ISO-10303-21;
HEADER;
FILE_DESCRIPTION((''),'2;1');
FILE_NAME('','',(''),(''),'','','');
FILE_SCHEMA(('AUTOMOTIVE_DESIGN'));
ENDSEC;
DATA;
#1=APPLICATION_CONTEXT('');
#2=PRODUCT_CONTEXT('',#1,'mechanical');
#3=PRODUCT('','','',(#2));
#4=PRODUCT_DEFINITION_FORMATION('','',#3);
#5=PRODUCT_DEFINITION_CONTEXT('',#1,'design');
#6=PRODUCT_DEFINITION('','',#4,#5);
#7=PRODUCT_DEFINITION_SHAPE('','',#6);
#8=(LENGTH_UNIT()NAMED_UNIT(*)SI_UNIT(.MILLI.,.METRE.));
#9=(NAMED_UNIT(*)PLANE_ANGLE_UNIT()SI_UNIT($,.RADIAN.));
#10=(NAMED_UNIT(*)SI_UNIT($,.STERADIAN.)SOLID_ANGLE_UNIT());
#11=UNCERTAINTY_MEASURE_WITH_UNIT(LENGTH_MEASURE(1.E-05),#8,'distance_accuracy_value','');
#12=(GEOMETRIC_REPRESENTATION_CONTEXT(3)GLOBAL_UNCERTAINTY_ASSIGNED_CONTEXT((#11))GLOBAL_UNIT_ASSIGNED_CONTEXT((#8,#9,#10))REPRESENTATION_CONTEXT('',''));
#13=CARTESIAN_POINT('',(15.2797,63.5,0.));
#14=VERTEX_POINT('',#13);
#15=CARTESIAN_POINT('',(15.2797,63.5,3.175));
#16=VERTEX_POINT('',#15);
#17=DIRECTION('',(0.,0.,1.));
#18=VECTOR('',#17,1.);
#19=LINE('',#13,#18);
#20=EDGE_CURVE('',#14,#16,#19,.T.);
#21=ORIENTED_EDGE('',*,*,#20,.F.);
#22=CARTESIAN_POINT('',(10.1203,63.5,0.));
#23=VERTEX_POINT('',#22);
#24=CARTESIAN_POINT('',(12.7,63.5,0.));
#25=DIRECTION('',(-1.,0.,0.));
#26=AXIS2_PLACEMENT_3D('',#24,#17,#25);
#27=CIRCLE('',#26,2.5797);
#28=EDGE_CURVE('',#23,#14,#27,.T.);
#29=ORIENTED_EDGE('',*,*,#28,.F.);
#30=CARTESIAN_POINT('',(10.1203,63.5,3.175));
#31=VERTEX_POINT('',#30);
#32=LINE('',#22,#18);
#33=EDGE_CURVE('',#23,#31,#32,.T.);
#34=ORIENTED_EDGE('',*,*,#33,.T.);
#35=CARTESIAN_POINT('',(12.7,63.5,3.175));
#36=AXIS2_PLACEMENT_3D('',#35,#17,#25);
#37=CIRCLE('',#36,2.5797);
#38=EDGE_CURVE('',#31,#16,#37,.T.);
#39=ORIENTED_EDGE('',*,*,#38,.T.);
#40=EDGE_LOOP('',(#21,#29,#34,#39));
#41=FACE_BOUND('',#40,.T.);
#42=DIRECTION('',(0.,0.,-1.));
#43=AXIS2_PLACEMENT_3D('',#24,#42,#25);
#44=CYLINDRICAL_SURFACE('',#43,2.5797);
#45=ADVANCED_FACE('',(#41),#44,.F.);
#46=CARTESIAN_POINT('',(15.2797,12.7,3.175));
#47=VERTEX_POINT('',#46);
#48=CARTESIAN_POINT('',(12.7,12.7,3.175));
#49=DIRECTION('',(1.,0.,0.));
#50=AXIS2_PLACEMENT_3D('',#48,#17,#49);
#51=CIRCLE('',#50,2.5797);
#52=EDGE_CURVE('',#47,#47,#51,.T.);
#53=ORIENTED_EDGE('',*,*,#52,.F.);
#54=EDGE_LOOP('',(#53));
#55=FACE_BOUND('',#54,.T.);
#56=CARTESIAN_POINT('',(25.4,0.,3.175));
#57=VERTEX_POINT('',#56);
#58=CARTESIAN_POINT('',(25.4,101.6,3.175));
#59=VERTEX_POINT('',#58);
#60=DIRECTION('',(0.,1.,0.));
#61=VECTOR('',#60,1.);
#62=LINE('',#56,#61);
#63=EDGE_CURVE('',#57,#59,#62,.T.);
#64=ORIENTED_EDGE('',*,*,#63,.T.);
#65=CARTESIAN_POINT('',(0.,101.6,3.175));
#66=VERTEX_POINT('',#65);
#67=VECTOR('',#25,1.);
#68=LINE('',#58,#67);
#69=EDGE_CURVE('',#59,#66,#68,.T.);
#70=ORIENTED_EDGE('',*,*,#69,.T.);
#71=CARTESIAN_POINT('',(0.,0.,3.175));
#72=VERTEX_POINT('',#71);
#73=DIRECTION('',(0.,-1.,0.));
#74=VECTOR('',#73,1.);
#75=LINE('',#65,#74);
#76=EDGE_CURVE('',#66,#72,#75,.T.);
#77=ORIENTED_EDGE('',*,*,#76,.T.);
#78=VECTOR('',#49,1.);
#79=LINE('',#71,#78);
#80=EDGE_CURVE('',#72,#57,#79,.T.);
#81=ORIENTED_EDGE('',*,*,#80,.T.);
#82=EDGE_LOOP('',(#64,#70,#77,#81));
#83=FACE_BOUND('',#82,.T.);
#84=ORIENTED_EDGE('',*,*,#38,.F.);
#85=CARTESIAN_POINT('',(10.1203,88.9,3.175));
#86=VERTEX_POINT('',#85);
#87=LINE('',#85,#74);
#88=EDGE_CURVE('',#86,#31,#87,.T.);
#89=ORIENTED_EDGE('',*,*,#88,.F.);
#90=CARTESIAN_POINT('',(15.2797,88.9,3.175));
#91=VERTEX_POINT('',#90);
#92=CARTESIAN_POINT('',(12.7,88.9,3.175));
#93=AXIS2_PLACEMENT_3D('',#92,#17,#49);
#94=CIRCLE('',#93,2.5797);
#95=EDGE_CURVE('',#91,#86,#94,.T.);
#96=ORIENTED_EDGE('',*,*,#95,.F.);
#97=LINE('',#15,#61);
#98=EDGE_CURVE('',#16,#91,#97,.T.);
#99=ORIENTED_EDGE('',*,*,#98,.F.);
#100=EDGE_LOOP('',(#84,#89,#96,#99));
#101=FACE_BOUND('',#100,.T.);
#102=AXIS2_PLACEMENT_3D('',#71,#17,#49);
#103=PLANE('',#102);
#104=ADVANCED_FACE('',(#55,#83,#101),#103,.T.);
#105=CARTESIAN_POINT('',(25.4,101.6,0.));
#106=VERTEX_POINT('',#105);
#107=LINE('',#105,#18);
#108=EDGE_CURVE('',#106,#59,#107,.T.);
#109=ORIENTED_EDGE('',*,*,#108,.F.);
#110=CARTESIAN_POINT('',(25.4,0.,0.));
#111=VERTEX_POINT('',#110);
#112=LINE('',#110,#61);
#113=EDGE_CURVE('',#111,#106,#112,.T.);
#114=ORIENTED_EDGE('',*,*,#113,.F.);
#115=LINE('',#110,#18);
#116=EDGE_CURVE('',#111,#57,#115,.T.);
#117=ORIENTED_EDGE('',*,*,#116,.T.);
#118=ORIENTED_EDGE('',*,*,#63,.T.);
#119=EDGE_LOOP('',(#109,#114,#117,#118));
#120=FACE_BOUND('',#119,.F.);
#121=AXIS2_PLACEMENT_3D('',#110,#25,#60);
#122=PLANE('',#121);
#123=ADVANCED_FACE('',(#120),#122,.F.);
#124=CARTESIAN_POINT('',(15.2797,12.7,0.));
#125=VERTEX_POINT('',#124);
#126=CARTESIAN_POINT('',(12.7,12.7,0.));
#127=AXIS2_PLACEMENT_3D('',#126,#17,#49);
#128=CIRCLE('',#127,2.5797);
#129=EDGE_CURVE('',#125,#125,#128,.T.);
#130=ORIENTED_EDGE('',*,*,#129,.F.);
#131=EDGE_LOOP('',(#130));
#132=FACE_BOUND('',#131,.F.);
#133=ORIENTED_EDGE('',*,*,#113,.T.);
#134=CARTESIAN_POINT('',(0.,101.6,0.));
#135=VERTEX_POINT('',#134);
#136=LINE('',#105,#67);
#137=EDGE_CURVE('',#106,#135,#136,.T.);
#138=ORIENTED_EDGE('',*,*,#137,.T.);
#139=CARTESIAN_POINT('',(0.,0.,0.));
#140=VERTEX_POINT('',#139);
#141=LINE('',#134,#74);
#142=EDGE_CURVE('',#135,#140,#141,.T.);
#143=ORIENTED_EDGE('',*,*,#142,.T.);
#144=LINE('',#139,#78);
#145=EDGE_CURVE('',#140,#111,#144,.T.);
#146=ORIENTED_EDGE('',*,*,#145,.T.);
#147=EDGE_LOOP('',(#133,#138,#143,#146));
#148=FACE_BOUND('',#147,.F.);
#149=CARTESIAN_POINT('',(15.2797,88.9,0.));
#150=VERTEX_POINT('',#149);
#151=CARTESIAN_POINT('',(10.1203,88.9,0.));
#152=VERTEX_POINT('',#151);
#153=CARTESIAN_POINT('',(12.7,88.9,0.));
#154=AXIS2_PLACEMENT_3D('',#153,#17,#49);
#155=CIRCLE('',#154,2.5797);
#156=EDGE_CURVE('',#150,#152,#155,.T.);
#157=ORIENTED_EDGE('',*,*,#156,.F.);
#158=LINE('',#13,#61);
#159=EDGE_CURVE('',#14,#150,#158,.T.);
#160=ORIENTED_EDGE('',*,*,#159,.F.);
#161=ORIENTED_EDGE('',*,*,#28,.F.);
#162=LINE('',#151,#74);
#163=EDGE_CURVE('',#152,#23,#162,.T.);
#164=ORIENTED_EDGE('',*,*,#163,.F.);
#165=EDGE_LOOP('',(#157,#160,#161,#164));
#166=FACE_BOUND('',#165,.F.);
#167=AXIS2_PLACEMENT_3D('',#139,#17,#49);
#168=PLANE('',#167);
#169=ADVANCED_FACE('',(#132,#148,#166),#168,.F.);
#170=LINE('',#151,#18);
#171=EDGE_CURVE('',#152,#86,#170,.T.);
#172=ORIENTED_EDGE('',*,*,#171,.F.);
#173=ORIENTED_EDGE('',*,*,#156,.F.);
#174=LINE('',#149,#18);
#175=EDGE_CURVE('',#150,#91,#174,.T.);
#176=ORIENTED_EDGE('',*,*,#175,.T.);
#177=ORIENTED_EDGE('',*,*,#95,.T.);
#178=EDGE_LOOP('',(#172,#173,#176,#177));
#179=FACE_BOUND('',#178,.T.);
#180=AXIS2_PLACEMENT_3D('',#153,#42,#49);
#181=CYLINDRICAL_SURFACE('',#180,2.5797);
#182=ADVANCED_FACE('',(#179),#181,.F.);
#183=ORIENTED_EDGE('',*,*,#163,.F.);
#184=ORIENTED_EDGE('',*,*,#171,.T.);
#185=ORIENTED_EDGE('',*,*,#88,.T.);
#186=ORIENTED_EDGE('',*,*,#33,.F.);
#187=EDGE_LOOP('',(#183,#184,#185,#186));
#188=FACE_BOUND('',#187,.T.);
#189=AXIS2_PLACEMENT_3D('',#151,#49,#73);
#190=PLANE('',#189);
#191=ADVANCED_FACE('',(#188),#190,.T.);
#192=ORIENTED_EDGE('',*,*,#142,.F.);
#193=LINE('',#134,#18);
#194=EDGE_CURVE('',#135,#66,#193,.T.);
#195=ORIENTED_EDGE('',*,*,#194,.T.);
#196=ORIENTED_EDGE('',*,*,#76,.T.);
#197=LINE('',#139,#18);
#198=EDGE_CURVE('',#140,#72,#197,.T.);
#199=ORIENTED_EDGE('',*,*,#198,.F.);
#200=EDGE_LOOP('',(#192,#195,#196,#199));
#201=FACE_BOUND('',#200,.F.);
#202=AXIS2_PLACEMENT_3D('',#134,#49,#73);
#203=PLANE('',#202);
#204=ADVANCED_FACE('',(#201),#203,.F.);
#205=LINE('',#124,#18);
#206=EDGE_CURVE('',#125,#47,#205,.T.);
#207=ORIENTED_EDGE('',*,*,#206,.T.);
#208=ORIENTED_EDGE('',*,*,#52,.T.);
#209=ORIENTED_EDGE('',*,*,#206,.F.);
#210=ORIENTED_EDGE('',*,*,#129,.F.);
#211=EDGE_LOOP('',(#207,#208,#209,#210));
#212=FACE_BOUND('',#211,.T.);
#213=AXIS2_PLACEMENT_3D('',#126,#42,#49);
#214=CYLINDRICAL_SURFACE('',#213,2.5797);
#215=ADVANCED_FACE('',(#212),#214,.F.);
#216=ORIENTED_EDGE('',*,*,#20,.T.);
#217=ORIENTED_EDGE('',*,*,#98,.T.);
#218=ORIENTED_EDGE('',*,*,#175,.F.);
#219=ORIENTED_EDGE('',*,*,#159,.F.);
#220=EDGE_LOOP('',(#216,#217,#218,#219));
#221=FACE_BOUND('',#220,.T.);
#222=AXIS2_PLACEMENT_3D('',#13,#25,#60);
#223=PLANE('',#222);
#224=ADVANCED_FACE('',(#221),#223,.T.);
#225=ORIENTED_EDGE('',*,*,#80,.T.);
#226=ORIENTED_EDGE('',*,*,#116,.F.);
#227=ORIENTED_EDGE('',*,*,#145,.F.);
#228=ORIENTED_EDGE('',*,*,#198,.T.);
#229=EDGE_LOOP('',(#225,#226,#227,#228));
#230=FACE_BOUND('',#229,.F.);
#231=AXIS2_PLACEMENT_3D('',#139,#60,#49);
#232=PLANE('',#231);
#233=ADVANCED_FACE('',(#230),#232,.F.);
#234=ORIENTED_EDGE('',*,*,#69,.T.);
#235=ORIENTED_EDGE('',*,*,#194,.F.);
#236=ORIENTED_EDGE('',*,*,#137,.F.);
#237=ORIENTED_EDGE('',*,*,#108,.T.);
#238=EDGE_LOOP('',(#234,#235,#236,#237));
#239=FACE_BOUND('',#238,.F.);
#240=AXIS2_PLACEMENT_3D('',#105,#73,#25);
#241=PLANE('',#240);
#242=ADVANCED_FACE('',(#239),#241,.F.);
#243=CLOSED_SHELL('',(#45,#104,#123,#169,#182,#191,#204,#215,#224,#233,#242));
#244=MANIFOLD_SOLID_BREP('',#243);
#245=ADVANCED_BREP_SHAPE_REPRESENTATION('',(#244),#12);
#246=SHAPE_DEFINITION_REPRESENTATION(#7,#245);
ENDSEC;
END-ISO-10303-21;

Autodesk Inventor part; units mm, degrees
ref_plane "YZ Plane" through (0, 0, 0) normal (1, 0, 0) x (0, 1, 0)
ref_plane "XZ Plane" through (0, 0, 0) normal (0, 1, 0) x (-1, 0, 0)
ref_plane "XY Plane" through (0, 0, 0) normal (0, 0, 1) x (1, 0, 0)
sketch "Sketch1" plane through (0, 0, 0) normal (0, 0, 1) x (1, 0, 0)
  line L0 (0, 0) -> (25.4, 0)
  line L1 (25.4, 0) -> (25.4, 101.6)
  line L2 (25.4, 101.6) -> (0, 101.6)
  line L3 (0, 101.6) -> (0, 0)
  line L4 (12.7, 0) -> (12.7, 12.7) construction
  line L5 (12.7, 101.6) -> (12.7, 88.9) construction
  circle A0 centre (12.7, 12.7) radius 2.5797
  line L6 (12.7, 88.9) -> (12.7, 63.5) construction
  line L7 (10.1203, 88.9) -> (10.1203, 63.5)
  line L8 (15.2797, 63.5) -> (15.2797, 88.9)
  arc A1 (15.2797, 88.9) -> (10.1203, 88.9) centre (12.7, 88.9) ccw
  arc A2 (10.1203, 63.5) -> (15.2797, 63.5) centre (12.7, 63.5) ccw
  point P0 (12.7, 76.2)
  dimension "d0" = 25.4
  dimension "d1" = 101.6
  dimension "d2" = 12.7
  dimension "d3" = 12.7
  dimension "d7" = 25.4
extrude "Extrusion2" add sketch "Sketch1" along normal blind 3.175
properties part number "Slot Bumper attachment"
